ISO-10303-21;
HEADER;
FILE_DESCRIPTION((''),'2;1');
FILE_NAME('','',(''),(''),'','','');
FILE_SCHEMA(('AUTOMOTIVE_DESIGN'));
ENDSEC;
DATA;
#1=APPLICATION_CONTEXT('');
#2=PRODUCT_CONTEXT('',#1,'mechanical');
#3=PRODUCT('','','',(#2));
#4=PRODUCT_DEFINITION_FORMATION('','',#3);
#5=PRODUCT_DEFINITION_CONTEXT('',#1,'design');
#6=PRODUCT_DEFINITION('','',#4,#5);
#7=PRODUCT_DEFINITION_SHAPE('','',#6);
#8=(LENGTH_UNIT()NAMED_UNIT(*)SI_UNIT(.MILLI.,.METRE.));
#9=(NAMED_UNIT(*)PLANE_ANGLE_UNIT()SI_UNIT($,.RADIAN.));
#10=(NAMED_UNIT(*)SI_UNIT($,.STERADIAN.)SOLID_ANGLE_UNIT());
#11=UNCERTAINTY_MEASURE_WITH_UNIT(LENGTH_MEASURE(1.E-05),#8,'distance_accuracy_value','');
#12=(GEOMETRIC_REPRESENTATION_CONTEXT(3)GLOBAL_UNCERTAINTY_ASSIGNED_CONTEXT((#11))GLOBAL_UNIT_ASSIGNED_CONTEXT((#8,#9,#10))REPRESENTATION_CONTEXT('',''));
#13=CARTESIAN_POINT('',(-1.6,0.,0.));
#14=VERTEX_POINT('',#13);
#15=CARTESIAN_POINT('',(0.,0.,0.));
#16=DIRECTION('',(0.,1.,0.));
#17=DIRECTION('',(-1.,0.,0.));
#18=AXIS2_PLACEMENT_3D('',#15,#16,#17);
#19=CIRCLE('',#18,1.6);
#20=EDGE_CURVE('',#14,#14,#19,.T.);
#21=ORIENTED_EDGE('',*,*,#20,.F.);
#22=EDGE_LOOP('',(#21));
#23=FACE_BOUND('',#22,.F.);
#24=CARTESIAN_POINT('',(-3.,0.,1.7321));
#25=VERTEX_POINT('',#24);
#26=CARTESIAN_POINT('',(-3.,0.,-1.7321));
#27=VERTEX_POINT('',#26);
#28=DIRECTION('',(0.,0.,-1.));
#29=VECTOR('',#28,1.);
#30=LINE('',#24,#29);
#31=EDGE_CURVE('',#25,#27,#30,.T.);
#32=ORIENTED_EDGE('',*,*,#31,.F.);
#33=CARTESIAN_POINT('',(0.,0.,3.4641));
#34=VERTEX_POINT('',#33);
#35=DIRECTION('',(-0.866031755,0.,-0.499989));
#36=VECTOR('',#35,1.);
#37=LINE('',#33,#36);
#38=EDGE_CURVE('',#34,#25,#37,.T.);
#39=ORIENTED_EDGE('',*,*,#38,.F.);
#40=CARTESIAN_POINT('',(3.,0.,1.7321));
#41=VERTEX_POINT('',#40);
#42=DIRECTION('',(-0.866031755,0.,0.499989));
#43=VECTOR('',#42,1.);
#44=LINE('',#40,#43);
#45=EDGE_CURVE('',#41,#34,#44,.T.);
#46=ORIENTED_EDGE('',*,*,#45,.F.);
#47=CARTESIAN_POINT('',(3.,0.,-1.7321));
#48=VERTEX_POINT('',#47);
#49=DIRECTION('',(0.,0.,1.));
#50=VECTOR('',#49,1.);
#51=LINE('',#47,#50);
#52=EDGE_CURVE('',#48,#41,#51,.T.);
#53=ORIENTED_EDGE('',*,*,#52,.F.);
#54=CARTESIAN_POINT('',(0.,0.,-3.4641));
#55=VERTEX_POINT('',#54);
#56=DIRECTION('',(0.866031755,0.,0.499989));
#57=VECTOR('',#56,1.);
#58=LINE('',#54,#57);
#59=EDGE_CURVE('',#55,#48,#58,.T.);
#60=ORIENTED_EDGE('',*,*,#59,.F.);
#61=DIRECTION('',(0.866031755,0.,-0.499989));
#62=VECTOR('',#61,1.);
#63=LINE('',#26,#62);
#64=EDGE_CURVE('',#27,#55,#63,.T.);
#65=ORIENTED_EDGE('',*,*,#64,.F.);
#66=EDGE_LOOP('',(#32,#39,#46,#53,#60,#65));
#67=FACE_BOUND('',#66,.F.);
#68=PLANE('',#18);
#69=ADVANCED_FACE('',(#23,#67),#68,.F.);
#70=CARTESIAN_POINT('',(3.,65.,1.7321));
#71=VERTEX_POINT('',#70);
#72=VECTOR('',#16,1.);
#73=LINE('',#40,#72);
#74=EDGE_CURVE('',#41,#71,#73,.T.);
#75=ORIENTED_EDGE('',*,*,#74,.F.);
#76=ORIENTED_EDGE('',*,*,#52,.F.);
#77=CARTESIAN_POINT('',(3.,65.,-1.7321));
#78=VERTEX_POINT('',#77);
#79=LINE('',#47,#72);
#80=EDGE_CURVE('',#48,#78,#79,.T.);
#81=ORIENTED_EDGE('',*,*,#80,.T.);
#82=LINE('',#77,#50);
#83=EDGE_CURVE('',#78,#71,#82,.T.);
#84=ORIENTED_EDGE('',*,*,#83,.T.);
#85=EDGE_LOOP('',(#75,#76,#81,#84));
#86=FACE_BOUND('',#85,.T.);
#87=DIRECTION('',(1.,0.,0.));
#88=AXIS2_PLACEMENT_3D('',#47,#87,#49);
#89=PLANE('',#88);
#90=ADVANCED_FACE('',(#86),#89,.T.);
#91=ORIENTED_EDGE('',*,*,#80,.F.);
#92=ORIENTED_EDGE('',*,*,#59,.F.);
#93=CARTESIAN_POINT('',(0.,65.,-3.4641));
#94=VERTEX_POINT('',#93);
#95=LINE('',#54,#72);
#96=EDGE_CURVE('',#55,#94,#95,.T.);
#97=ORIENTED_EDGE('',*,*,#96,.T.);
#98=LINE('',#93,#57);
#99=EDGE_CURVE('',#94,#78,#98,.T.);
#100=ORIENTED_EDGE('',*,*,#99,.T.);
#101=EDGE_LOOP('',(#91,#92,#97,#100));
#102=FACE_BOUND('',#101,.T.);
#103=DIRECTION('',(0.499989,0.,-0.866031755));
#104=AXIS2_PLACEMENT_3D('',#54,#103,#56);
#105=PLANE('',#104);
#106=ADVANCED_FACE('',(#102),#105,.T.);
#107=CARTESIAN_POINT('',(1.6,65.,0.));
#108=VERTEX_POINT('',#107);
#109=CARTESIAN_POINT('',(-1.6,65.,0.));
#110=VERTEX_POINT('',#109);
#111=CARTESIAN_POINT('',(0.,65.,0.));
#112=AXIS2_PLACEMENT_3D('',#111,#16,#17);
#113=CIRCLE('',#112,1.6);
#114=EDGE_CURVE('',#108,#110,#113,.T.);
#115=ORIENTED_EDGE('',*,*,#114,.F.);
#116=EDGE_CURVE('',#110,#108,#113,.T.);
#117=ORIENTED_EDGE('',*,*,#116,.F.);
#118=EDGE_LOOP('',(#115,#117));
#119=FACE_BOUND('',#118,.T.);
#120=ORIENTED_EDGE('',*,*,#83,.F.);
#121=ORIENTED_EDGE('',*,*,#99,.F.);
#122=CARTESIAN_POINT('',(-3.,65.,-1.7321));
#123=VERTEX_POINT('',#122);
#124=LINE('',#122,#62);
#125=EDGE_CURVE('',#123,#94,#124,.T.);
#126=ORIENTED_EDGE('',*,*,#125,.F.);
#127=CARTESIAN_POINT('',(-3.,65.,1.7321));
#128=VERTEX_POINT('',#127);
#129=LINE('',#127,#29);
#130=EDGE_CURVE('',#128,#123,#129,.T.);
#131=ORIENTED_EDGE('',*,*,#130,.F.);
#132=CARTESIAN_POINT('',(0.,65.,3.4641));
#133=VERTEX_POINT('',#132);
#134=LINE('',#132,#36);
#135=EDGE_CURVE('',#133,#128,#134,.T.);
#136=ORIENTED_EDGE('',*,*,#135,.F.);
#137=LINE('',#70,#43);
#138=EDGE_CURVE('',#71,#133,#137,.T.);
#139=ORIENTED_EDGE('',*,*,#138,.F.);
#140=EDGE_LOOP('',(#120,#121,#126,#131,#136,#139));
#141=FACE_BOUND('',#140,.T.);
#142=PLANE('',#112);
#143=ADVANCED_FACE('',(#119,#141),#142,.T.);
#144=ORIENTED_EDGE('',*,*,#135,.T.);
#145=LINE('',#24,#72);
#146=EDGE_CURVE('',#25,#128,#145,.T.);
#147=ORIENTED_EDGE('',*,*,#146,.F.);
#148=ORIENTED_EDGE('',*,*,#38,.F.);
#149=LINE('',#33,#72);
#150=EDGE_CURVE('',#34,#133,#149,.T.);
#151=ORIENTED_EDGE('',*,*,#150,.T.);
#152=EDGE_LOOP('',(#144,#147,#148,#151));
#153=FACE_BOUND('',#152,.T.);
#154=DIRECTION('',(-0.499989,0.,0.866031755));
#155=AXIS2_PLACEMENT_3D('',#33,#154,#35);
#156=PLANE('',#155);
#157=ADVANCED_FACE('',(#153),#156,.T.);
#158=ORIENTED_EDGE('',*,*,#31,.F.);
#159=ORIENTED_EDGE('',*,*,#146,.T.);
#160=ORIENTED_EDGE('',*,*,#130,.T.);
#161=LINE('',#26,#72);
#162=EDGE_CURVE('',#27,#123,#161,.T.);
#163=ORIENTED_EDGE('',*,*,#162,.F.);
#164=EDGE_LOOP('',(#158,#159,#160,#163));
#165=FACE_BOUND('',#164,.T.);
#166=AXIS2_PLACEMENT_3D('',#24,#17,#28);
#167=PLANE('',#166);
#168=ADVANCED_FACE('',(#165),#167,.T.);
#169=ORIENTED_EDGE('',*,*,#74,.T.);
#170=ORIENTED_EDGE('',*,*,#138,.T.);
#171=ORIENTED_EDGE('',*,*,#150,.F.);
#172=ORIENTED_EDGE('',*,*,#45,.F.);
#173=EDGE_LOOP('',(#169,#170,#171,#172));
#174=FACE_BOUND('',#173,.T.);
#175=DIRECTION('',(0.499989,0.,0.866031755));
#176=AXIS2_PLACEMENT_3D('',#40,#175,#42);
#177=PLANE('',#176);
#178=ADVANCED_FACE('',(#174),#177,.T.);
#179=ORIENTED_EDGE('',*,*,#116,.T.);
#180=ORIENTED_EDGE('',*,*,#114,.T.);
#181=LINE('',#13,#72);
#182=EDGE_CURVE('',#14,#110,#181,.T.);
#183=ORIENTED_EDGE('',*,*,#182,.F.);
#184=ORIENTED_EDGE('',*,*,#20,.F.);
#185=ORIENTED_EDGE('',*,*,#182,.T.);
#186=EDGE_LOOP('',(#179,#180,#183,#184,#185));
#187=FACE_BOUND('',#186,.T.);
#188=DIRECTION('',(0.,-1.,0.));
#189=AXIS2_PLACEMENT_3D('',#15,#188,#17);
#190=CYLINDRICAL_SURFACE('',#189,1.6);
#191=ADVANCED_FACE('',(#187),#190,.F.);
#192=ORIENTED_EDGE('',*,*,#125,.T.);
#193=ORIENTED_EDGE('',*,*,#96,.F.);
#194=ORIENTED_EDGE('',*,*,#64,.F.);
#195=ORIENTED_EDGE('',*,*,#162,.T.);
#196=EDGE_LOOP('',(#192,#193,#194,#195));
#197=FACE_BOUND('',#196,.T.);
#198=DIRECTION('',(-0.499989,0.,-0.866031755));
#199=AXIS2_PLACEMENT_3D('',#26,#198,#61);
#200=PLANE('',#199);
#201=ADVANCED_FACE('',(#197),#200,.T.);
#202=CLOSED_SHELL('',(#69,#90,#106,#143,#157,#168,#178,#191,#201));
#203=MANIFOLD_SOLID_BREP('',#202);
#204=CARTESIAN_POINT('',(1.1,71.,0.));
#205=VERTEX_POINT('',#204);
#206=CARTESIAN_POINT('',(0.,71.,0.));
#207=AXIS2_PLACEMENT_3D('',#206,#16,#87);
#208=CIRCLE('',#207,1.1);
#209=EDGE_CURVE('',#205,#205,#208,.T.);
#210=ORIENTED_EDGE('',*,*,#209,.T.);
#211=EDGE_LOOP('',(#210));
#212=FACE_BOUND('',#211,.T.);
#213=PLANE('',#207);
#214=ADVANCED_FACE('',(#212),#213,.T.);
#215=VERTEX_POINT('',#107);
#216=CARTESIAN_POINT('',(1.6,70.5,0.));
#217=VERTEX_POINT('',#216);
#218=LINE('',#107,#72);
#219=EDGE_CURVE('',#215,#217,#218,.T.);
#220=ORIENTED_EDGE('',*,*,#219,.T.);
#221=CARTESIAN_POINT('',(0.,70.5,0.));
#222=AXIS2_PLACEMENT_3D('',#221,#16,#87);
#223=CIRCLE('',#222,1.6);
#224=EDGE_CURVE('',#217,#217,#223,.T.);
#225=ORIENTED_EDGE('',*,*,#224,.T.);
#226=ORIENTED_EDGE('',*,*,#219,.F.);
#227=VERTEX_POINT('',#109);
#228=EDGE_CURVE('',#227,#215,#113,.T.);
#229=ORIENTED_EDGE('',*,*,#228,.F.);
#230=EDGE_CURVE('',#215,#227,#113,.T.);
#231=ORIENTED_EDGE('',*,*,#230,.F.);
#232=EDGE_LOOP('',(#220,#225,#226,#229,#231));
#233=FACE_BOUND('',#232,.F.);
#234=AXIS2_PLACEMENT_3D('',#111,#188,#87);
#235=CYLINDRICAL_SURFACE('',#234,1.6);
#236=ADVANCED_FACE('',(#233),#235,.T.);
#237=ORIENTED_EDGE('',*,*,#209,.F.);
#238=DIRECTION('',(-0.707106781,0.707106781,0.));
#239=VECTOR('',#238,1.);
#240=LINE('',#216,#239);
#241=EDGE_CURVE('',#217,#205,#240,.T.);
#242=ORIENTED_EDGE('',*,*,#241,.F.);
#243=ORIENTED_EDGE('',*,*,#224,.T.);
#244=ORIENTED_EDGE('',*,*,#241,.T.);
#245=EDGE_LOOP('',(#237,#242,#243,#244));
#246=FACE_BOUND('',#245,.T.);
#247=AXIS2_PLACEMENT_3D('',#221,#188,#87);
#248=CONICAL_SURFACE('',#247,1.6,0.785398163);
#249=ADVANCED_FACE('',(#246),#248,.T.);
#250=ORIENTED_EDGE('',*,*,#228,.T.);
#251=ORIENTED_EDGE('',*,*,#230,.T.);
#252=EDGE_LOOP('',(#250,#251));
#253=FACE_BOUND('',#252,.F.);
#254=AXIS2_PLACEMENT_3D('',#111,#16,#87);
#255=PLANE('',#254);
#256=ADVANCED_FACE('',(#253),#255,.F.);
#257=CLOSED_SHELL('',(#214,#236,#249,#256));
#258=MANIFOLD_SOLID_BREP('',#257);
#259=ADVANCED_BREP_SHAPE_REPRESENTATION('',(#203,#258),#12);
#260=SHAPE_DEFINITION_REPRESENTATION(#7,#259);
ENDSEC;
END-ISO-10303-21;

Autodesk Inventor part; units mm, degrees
ref_plane "YZ Plane" through (0, 0, 0) normal (1, 0, 0) x (0, 1, 0)
ref_plane "XZ Plane" through (0, 0, 0) normal (0, 1, 0) x (-1, 0, 0)
ref_plane "XY Plane" through (0, 0, 0) normal (0, 0, 1) x (1, 0, 0)
sketch "Sketch1" plane through (0, 0, 0) normal (0, 1, 0) x (-1, 0, 0)
  circle A0 centre (0, 0) radius 1.6
  line L0 (0, -3.4641) -> (-3, -1.7321)
  line L1 (-3, -1.7321) -> (-3, 1.7321)
  line L2 (-3, 1.7321) -> (0, 3.4641)
  line L3 (0, 3.4641) -> (3, 1.7321)
  line L4 (3, 1.7321) -> (3, -1.7321)
  line L5 (3, -1.7321) -> (0, -3.4641)
  dimension "d0" = 3.2
  dimension "d1" = 6
extrude "Extrusion1" add sketch "Sketch1" along normal blind 65
sketch "Sketch2" plane through (0, 65, 0) normal (0, 1, 0) x (1, 0, 0)
  circle A0 centre (0, 0) radius 1.6 projected
  line L0 (3, 1.7321) -> (0, 3.4641) projected
  line L1 (0, 3.4641) -> (-3, 1.7321) projected
  line L2 (-3, 1.7321) -> (-3, -1.7321) projected
  line L3 (-3, -1.7321) -> (0, -3.4641) projected
  line L4 (0, -3.4641) -> (3, -1.7321) projected
  line L5 (3, -1.7321) -> (3, 1.7321) projected
extrude "Extrusion2" add sketch "Sketch2" along normal blind 6 contours A0
chamfer "Chamfer1" distance 0.5 angle 45 1 edges at (-1.6, 71, 0)
thread "Thread1" size "M3.5x0.6" class "6g" standard "ANSI Metric M Profile" full length
properties part number "Standoff 40" material "Nylon 6/6"
